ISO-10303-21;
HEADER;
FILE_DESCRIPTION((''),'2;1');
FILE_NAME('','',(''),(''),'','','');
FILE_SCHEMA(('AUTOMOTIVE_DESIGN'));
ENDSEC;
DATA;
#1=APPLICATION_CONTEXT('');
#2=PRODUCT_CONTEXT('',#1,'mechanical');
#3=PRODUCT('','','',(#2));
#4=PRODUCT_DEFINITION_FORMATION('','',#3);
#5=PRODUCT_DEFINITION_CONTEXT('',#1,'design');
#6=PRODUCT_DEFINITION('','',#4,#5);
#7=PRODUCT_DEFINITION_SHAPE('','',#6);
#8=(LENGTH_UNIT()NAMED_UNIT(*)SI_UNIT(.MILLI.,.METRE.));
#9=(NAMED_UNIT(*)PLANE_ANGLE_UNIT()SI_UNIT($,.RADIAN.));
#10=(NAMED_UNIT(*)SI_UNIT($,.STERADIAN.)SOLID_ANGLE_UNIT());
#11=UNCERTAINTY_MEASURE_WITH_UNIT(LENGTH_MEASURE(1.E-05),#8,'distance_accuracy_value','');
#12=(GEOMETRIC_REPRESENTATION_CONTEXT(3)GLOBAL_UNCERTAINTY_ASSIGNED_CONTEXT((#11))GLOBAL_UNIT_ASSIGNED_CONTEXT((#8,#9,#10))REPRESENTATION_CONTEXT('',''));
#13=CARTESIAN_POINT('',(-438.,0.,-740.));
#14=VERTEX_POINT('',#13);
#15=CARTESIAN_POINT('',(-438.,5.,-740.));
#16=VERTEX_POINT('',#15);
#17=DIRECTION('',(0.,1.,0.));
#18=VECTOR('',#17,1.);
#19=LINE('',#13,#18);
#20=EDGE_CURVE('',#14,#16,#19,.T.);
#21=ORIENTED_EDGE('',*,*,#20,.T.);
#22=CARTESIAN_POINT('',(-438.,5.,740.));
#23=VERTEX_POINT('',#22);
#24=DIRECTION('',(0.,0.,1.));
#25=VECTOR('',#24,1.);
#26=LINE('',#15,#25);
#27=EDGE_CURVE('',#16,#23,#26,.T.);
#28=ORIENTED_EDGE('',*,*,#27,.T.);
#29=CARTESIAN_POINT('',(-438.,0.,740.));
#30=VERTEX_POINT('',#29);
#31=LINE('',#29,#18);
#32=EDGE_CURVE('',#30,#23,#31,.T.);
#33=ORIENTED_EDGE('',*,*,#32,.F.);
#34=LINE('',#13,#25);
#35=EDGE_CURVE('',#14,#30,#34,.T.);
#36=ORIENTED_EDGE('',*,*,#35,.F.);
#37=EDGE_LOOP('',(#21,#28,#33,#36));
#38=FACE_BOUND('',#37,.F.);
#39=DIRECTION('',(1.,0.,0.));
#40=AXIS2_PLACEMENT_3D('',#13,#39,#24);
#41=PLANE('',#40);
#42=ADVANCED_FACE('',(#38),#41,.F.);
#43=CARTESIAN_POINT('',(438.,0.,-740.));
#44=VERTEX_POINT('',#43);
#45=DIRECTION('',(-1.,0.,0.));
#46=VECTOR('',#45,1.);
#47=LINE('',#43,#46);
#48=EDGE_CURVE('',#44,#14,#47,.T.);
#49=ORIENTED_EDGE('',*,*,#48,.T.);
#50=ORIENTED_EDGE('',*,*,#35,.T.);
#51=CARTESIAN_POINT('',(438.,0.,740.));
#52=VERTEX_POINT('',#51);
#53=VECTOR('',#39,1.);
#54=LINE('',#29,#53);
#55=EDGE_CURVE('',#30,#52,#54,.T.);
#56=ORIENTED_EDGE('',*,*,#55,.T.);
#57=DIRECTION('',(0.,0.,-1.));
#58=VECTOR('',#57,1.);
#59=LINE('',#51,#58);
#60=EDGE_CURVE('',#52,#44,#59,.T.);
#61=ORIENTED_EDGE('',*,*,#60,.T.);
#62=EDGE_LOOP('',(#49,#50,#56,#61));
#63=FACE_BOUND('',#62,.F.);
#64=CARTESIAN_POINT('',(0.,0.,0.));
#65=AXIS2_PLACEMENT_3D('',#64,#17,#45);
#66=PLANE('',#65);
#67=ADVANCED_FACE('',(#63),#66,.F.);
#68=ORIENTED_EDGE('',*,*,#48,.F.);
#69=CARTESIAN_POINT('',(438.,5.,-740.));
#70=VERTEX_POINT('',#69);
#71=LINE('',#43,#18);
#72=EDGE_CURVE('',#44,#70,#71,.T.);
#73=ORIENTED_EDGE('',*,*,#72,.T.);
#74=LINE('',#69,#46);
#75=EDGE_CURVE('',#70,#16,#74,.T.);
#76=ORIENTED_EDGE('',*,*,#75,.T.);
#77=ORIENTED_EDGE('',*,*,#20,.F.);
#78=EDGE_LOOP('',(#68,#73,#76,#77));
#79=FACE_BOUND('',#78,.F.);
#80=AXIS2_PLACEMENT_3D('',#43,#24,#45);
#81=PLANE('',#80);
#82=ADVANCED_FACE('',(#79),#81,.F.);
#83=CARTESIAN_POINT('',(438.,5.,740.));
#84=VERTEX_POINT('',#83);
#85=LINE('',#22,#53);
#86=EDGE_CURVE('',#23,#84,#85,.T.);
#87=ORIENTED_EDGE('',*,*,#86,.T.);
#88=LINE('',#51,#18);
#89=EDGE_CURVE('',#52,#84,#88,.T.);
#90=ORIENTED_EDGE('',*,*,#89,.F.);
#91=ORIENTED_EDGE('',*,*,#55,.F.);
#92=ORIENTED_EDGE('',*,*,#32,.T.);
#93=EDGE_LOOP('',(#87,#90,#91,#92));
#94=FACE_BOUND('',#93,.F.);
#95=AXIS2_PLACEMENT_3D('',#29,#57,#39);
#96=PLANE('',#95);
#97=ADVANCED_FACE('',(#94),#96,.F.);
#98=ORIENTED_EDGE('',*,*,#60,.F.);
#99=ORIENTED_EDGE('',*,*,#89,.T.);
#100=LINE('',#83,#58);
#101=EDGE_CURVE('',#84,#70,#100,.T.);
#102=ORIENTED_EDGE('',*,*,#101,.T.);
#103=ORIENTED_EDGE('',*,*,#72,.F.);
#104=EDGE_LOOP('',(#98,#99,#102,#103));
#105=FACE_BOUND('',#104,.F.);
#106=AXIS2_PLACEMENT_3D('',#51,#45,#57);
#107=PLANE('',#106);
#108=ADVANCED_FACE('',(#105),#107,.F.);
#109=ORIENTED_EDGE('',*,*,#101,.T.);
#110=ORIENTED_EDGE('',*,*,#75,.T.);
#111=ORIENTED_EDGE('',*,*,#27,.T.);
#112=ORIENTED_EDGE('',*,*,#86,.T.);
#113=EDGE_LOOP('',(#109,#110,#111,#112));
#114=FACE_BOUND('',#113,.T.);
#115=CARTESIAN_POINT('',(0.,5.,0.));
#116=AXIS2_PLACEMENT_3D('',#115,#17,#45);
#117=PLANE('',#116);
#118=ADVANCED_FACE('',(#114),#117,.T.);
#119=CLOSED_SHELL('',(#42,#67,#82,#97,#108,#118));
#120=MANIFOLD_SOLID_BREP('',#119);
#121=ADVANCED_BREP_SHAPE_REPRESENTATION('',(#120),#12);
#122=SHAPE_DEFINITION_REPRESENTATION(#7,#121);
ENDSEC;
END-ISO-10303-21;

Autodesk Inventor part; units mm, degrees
ref_plane "YZ Plane" through (0, 0, 0) normal (1, 0, 0) x (0, 1, 0)
ref_plane "XZ Plane" through (0, 0, 0) normal (0, 1, 0) x (-1, 0, 0)
ref_plane "XY Plane" through (0, 0, 0) normal (0, 0, 1) x (1, 0, 0)
sketch "Эскиз1" plane through (0, 0, 0) normal (0, 1, 0) x (-1, 0, 0)
  line L0 (438, 740) -> (-438, 740)
  line L1 (-438, 740) -> (-438, -740)
  line L2 (-438, -740) -> (438, -740)
  line L3 (438, -740) -> (438, 740)
  line L4 (438, 740) -> (-438, -740) construction
  line L5 (-438, 740) -> (438, -740) construction
  point P0 (0, 0)
  dimension "d0" = 876
  dimension "d1" = 1480
extrude "Пластина1" add sketch "Эскиз1" along normal blind 5
equation "\"d2\" = Толщина"
equation "\"Радиус_гибки\" = Толщина"
equation "\"Ширина_просечки\" = Толщина"
equation "\"Глубина_просечки\" = 0.5 * Толщина"
equation "\"Радиус_перехода\" = Радиус_гибки"
equation "\"Радиус_Якоби\" = Радиус_гибки"
equation "\"Размер_зазора\" = Толщина"
equation "\"Толщина\" = 5"
properties part number "GBK bottom 0113_CPY" material "Steel"
